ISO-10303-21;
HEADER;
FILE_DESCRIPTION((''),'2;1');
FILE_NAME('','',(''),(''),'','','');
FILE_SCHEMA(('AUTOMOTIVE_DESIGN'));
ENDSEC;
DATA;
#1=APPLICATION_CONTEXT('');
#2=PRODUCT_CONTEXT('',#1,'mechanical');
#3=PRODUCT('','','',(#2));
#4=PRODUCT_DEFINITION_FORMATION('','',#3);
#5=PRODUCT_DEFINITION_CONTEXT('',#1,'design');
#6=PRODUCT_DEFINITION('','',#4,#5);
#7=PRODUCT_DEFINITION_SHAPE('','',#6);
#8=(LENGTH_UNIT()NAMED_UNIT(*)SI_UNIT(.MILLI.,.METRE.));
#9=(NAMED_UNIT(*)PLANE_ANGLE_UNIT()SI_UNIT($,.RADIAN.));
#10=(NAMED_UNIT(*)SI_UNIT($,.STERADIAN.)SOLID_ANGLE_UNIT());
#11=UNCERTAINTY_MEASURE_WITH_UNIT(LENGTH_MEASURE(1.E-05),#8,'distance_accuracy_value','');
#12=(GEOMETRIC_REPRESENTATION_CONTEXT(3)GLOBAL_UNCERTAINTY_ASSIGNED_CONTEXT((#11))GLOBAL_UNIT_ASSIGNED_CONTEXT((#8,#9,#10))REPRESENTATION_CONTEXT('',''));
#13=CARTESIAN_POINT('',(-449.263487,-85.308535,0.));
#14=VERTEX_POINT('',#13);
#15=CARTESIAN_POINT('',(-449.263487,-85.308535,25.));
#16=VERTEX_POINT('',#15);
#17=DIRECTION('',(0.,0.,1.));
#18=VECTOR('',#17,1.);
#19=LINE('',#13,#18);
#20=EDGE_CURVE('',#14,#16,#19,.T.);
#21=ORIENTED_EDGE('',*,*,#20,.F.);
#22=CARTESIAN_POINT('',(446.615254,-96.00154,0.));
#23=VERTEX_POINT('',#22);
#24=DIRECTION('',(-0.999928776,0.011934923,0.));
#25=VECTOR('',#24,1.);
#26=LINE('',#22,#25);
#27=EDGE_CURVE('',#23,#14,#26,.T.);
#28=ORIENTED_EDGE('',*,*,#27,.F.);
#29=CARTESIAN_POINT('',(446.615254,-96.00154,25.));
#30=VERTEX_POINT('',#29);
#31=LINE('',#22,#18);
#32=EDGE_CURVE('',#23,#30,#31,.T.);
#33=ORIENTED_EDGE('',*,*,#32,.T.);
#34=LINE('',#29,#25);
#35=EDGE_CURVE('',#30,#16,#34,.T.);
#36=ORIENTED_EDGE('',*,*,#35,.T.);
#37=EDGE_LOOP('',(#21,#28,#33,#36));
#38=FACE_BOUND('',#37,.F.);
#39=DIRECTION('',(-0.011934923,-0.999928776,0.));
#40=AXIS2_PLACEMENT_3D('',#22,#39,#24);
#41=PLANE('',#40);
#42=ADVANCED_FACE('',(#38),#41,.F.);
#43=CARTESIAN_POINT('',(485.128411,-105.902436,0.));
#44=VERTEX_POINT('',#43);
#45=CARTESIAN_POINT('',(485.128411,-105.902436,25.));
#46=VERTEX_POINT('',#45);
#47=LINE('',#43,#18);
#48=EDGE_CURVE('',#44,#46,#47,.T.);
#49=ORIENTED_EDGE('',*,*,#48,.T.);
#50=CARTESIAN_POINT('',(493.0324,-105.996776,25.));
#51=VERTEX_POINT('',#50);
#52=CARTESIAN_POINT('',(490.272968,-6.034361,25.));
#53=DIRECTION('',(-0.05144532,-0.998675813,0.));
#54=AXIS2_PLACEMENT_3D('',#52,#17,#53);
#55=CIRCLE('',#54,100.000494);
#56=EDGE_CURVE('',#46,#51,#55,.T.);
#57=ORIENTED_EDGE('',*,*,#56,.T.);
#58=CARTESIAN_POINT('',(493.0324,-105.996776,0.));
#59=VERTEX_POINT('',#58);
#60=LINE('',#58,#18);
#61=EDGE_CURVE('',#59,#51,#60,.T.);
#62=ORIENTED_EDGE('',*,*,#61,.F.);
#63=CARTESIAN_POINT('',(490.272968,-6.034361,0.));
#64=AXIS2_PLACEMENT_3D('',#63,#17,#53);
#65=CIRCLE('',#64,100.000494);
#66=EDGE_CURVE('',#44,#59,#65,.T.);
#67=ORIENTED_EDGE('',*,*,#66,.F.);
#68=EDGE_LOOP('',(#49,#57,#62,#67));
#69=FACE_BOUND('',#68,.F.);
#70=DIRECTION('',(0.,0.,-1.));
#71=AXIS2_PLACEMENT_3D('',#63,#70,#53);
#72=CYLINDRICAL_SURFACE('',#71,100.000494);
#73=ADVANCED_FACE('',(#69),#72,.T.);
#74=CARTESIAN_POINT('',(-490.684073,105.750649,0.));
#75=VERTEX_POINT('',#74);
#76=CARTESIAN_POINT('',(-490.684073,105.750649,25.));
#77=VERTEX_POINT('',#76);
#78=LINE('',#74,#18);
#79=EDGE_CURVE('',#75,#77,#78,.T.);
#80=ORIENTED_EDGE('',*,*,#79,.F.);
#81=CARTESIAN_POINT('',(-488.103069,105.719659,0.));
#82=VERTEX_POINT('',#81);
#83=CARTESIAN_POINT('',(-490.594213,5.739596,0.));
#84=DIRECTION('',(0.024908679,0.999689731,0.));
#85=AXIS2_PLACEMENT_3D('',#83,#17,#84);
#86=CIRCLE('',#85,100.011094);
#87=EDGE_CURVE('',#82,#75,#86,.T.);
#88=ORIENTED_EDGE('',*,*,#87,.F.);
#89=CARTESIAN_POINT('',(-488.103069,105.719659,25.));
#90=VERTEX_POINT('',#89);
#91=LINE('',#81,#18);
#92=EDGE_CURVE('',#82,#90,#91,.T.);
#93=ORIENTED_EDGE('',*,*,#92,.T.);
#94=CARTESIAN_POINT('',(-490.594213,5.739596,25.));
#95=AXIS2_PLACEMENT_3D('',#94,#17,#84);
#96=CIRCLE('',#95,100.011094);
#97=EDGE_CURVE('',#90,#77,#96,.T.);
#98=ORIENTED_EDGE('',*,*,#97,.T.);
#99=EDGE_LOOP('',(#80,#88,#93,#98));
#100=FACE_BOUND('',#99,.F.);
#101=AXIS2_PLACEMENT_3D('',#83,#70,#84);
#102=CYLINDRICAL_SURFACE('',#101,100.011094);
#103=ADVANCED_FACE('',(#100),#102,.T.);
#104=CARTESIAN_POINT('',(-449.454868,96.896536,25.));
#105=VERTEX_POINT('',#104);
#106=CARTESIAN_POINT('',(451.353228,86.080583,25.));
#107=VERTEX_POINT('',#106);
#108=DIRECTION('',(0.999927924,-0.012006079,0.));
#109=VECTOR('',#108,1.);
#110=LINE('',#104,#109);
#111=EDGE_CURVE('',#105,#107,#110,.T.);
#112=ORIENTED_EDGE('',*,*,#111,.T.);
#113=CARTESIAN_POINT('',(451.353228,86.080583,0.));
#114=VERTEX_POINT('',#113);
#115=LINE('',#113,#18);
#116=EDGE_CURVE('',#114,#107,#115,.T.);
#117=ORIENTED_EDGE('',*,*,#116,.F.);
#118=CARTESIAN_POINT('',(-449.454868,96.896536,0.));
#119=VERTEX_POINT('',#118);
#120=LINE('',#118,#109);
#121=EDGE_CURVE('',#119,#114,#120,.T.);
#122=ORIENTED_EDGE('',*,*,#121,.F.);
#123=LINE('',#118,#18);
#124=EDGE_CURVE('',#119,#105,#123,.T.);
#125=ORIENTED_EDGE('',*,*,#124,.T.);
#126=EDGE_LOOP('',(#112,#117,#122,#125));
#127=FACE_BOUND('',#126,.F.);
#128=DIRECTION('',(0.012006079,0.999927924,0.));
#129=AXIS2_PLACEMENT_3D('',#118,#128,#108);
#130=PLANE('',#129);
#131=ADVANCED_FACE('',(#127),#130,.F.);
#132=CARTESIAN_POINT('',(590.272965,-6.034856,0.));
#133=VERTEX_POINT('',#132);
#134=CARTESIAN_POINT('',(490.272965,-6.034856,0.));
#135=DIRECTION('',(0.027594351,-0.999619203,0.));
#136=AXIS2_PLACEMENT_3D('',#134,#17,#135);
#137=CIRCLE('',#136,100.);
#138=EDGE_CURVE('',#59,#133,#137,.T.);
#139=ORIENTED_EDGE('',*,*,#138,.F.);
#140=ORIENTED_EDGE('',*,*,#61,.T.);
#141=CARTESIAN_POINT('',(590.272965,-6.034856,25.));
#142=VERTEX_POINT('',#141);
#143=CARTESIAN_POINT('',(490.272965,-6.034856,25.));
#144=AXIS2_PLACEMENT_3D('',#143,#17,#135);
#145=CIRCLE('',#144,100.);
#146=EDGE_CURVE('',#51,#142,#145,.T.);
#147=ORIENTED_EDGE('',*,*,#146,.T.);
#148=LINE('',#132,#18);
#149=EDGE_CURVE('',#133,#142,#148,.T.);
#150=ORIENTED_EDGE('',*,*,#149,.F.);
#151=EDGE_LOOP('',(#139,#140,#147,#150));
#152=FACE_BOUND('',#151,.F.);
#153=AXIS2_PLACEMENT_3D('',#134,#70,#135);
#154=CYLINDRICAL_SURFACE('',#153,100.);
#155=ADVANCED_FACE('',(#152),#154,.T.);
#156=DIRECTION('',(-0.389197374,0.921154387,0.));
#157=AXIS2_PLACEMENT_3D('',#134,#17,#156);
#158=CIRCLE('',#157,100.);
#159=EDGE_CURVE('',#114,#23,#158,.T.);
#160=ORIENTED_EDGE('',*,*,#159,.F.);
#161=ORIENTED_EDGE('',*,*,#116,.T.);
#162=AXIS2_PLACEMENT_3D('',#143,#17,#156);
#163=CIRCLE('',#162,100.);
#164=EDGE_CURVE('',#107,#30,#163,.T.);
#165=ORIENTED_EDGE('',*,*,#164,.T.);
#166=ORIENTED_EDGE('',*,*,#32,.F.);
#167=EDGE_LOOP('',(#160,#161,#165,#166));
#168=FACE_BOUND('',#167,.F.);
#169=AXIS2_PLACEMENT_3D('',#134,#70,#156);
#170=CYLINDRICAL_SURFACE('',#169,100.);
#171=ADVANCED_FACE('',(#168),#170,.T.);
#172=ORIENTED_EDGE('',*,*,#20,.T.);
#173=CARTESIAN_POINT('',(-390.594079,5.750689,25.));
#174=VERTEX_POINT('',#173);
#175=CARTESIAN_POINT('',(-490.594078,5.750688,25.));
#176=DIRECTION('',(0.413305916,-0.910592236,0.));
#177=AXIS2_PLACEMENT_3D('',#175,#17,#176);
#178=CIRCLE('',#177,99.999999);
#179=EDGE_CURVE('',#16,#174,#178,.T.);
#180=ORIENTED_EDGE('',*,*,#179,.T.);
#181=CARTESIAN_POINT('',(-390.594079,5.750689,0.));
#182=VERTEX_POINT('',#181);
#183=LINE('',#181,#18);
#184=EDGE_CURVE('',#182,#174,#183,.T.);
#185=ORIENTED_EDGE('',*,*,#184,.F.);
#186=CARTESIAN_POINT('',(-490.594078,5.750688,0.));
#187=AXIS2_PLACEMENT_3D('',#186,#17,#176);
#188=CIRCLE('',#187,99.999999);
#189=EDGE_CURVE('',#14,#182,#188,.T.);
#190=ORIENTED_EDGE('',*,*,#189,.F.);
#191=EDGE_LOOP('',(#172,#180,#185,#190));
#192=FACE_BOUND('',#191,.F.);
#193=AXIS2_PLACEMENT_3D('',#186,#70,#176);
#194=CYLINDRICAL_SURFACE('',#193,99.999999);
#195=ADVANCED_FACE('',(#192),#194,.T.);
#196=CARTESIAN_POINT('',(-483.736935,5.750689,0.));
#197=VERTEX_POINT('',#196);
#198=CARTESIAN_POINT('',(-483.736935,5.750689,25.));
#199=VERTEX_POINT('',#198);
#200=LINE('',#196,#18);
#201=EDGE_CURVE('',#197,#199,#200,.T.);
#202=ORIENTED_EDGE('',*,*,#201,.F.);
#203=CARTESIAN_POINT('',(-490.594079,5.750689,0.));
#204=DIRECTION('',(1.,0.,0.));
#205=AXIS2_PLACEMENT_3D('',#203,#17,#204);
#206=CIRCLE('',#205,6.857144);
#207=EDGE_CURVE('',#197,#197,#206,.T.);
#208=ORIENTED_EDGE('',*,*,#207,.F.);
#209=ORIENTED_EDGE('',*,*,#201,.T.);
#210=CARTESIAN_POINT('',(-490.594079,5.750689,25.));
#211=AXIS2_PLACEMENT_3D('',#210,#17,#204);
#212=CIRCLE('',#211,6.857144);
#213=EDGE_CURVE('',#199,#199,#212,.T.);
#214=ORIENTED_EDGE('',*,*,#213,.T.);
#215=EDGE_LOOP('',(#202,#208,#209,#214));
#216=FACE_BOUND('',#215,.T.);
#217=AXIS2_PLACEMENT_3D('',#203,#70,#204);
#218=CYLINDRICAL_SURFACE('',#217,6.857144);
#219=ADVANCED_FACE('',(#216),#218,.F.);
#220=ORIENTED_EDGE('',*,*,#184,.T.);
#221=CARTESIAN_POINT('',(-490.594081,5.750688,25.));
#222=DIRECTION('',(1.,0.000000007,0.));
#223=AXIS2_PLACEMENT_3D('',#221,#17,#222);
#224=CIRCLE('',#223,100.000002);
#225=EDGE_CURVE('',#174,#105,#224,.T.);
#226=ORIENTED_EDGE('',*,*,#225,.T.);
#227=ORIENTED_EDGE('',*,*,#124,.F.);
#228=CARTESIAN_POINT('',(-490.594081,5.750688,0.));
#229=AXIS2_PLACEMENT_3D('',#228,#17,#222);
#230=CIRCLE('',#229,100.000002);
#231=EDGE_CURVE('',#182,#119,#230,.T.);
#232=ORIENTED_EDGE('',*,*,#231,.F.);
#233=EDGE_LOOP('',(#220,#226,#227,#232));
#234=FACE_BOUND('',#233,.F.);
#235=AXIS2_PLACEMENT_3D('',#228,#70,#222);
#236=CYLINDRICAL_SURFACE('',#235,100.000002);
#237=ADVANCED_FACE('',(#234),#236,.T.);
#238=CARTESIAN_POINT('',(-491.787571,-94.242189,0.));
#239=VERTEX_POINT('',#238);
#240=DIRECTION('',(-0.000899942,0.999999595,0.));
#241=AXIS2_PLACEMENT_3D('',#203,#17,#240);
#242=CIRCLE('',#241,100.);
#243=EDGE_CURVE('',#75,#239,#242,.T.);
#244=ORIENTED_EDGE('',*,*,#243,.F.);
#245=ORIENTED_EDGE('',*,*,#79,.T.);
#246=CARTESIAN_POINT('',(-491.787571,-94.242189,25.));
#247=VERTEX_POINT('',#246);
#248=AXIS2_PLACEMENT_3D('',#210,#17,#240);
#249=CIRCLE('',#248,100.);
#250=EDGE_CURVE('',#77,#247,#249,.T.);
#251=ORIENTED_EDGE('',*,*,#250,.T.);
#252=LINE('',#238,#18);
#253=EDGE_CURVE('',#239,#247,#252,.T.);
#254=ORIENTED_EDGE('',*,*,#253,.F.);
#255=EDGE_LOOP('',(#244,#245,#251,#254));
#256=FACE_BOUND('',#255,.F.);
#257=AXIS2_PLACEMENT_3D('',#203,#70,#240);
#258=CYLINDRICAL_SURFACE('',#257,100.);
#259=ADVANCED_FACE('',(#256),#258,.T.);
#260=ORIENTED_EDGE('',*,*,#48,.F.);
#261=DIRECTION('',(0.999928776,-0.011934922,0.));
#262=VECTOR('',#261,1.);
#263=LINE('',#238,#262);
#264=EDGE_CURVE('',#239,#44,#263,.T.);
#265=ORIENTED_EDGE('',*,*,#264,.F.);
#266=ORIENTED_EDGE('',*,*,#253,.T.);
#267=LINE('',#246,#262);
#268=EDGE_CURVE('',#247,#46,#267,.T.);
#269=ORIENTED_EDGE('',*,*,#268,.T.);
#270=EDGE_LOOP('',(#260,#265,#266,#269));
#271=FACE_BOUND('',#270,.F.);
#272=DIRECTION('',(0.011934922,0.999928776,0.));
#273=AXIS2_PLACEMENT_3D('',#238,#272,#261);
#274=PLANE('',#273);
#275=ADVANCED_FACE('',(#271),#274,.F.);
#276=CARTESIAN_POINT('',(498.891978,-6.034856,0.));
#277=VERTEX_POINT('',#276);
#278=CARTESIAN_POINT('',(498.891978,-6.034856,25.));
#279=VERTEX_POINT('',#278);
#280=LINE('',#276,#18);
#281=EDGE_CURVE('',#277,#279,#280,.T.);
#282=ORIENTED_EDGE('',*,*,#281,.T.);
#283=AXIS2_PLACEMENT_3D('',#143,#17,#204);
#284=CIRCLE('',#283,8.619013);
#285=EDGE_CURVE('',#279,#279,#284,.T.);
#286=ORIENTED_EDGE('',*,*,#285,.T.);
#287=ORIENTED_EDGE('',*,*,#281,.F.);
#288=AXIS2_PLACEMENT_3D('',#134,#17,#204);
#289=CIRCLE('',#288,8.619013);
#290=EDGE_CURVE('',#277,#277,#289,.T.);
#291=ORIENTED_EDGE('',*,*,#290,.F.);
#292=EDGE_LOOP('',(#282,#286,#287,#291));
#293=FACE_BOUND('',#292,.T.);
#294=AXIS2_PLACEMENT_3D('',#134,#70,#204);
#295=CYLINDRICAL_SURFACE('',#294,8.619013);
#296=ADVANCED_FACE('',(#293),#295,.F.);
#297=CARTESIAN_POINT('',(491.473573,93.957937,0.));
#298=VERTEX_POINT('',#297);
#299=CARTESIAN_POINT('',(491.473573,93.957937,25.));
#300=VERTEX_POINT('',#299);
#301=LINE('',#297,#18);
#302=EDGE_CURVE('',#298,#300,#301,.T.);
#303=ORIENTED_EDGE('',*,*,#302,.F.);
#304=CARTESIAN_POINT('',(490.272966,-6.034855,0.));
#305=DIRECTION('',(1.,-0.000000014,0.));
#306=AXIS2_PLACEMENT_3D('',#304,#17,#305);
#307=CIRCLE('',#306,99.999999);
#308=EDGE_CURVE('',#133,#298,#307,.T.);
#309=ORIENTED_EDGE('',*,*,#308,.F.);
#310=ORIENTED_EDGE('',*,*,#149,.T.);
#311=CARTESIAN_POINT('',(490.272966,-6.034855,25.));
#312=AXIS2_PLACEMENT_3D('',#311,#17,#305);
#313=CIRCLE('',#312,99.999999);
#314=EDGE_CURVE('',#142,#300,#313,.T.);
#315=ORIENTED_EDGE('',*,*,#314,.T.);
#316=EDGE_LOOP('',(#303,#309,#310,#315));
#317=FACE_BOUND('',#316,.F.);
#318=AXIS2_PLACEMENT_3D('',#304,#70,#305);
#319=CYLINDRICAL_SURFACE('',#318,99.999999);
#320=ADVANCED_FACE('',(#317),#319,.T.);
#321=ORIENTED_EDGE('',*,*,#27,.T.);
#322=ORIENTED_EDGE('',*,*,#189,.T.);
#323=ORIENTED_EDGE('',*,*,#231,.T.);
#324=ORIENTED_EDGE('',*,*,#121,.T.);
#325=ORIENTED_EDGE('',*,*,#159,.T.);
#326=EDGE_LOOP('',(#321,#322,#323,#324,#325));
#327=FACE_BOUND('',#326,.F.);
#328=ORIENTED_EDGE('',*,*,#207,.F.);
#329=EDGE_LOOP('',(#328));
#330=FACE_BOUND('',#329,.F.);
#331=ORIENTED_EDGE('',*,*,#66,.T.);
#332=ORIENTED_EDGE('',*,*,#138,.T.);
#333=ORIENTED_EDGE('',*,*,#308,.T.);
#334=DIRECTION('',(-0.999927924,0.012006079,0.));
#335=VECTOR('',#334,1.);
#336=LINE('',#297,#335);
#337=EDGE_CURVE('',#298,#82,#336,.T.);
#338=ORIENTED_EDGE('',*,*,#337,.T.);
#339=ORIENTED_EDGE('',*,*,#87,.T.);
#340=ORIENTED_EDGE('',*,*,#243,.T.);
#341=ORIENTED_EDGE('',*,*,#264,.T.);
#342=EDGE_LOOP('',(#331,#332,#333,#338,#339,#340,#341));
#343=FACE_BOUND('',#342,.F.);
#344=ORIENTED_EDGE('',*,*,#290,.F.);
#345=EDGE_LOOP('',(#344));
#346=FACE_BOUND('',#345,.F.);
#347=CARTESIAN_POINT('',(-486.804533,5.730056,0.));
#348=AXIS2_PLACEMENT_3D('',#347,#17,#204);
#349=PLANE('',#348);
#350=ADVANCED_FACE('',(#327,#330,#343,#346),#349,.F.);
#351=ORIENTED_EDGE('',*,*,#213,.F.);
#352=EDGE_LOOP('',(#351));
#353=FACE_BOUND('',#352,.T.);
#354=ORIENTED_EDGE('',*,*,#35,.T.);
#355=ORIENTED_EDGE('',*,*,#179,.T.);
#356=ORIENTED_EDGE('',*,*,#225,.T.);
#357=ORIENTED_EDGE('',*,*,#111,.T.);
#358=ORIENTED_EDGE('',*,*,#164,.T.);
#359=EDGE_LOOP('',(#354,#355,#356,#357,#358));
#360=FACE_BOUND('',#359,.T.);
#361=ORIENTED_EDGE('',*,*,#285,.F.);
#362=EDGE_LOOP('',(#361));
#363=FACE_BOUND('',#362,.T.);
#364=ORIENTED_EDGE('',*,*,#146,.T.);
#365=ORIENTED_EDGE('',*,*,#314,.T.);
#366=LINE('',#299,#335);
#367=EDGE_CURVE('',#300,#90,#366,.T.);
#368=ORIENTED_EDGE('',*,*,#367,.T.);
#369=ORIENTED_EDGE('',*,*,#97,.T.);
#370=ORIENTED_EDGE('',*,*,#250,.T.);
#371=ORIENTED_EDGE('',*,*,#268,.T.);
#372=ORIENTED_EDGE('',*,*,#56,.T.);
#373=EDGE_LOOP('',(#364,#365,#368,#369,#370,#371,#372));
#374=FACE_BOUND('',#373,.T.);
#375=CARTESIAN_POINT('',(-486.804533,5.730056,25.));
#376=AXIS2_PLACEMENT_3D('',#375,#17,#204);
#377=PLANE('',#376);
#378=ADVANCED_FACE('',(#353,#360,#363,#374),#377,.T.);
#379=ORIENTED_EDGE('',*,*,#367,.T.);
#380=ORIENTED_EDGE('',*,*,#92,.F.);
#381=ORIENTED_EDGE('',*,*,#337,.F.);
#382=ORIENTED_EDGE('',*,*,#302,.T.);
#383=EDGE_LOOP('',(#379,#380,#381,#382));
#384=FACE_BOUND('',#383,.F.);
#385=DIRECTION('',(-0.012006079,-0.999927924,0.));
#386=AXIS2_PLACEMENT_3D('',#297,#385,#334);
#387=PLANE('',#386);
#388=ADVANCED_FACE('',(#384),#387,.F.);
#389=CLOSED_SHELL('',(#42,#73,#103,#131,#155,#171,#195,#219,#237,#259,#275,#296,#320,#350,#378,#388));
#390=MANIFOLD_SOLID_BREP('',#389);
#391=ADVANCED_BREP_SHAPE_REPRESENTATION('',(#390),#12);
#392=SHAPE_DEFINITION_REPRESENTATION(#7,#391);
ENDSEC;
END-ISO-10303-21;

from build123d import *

# Parameters (mm, degrees)
F0_R     = 6.857144
F0_R_2   = 8.619013
F1_DEPTH = 25


with BuildPart() as f1:
    # F0 (on Top) → F1 (new body)
    with BuildSketch(Plane.XY):
        with BuildLine():
            ThreePointArc((-449.263487, -85.308535), (-406.531426, -48.410833), (-390.594079, 5.750689))
            ThreePointArc((-390.594079, 5.750689), (-406.588362, 60.000477), (-449.454868, 96.896536))
            ThreePointArc((-449.454868, 96.896536), (-468.337374, 103.242428), (-488.103069, 105.719659))
            Line((-488.103069, 105.719659), (-490.684073, 105.750649))
            ThreePointArc((-490.684073, 105.750649), (-590.592557, 6.302449), (-491.787571, -94.242189))
            ThreePointArc((-491.787571, -94.242189), (-470.034428, -92.112996), (-449.263487, -85.308535))
        make_face()
        with Locations((-490.594079, 5.750689)):
            Circle(F0_R, mode=Mode.SUBTRACT)
        with BuildLine():
            ThreePointArc((-488.103069, 105.719659), (-468.337374, 103.242428), (-449.454868, 96.896536))
            Line((-449.454868, 96.896536), (451.353228, 86.080583))
            ThreePointArc((451.353228, 86.080583), (471.006509, 92.091612), (491.473573, 93.957937))
            Line((491.473573, 93.957937), (-488.103069, 105.719659))
        make_face()
        with BuildLine():
            Line((446.615254, -96.00154), (-449.263487, -85.308535))
            ThreePointArc((-449.263487, -85.308535), (-470.034428, -92.112996), (-491.787571, -94.242189))
            Line((-491.787571, -94.242189), (485.128411, -105.902436))
            ThreePointArc((485.128411, -105.902436), (465.374728, -102.885657), (446.615254, -96.00154))
        make_face()
        with BuildLine():
            Line((-490.684073, 105.750649), (-488.103069, 105.719659))
            ThreePointArc((-488.103069, 105.719659), (-489.393471, 105.743481), (-490.684073, 105.750649))
        make_face()
        with BuildLine():
            ThreePointArc((491.473573, 93.957937), (471.006509, 92.091612), (451.353228, 86.080583))
            ThreePointArc((451.353228, 86.080583), (390.306803, -3.433627), (446.615254, -96.00154))
            ThreePointArc((446.615254, -96.00154), (465.374728, -102.885657), (485.128411, -105.902436))
            Line((485.128411, -105.902436), (493.0324, -105.996776))
            ThreePointArc((493.0324, -105.996776), (561.952612, -75.763101), (590.272965, -6.034856))
            ThreePointArc((590.272965, -6.034856), (561.406856, 64.250062), (491.473573, 93.957937))
        make_face()
        with Locations((490.272965, -6.034856)):
            Circle(F0_R_2, mode=Mode.SUBTRACT)
        with BuildLine():
            Line((493.0324, -105.996776), (485.128411, -105.902436))
            ThreePointArc((485.128411, -105.902436), (489.079473, -106.027733), (493.0324, -105.996776))
        make_face()
    extrude(amount=F1_DEPTH)


solid = f1.part
